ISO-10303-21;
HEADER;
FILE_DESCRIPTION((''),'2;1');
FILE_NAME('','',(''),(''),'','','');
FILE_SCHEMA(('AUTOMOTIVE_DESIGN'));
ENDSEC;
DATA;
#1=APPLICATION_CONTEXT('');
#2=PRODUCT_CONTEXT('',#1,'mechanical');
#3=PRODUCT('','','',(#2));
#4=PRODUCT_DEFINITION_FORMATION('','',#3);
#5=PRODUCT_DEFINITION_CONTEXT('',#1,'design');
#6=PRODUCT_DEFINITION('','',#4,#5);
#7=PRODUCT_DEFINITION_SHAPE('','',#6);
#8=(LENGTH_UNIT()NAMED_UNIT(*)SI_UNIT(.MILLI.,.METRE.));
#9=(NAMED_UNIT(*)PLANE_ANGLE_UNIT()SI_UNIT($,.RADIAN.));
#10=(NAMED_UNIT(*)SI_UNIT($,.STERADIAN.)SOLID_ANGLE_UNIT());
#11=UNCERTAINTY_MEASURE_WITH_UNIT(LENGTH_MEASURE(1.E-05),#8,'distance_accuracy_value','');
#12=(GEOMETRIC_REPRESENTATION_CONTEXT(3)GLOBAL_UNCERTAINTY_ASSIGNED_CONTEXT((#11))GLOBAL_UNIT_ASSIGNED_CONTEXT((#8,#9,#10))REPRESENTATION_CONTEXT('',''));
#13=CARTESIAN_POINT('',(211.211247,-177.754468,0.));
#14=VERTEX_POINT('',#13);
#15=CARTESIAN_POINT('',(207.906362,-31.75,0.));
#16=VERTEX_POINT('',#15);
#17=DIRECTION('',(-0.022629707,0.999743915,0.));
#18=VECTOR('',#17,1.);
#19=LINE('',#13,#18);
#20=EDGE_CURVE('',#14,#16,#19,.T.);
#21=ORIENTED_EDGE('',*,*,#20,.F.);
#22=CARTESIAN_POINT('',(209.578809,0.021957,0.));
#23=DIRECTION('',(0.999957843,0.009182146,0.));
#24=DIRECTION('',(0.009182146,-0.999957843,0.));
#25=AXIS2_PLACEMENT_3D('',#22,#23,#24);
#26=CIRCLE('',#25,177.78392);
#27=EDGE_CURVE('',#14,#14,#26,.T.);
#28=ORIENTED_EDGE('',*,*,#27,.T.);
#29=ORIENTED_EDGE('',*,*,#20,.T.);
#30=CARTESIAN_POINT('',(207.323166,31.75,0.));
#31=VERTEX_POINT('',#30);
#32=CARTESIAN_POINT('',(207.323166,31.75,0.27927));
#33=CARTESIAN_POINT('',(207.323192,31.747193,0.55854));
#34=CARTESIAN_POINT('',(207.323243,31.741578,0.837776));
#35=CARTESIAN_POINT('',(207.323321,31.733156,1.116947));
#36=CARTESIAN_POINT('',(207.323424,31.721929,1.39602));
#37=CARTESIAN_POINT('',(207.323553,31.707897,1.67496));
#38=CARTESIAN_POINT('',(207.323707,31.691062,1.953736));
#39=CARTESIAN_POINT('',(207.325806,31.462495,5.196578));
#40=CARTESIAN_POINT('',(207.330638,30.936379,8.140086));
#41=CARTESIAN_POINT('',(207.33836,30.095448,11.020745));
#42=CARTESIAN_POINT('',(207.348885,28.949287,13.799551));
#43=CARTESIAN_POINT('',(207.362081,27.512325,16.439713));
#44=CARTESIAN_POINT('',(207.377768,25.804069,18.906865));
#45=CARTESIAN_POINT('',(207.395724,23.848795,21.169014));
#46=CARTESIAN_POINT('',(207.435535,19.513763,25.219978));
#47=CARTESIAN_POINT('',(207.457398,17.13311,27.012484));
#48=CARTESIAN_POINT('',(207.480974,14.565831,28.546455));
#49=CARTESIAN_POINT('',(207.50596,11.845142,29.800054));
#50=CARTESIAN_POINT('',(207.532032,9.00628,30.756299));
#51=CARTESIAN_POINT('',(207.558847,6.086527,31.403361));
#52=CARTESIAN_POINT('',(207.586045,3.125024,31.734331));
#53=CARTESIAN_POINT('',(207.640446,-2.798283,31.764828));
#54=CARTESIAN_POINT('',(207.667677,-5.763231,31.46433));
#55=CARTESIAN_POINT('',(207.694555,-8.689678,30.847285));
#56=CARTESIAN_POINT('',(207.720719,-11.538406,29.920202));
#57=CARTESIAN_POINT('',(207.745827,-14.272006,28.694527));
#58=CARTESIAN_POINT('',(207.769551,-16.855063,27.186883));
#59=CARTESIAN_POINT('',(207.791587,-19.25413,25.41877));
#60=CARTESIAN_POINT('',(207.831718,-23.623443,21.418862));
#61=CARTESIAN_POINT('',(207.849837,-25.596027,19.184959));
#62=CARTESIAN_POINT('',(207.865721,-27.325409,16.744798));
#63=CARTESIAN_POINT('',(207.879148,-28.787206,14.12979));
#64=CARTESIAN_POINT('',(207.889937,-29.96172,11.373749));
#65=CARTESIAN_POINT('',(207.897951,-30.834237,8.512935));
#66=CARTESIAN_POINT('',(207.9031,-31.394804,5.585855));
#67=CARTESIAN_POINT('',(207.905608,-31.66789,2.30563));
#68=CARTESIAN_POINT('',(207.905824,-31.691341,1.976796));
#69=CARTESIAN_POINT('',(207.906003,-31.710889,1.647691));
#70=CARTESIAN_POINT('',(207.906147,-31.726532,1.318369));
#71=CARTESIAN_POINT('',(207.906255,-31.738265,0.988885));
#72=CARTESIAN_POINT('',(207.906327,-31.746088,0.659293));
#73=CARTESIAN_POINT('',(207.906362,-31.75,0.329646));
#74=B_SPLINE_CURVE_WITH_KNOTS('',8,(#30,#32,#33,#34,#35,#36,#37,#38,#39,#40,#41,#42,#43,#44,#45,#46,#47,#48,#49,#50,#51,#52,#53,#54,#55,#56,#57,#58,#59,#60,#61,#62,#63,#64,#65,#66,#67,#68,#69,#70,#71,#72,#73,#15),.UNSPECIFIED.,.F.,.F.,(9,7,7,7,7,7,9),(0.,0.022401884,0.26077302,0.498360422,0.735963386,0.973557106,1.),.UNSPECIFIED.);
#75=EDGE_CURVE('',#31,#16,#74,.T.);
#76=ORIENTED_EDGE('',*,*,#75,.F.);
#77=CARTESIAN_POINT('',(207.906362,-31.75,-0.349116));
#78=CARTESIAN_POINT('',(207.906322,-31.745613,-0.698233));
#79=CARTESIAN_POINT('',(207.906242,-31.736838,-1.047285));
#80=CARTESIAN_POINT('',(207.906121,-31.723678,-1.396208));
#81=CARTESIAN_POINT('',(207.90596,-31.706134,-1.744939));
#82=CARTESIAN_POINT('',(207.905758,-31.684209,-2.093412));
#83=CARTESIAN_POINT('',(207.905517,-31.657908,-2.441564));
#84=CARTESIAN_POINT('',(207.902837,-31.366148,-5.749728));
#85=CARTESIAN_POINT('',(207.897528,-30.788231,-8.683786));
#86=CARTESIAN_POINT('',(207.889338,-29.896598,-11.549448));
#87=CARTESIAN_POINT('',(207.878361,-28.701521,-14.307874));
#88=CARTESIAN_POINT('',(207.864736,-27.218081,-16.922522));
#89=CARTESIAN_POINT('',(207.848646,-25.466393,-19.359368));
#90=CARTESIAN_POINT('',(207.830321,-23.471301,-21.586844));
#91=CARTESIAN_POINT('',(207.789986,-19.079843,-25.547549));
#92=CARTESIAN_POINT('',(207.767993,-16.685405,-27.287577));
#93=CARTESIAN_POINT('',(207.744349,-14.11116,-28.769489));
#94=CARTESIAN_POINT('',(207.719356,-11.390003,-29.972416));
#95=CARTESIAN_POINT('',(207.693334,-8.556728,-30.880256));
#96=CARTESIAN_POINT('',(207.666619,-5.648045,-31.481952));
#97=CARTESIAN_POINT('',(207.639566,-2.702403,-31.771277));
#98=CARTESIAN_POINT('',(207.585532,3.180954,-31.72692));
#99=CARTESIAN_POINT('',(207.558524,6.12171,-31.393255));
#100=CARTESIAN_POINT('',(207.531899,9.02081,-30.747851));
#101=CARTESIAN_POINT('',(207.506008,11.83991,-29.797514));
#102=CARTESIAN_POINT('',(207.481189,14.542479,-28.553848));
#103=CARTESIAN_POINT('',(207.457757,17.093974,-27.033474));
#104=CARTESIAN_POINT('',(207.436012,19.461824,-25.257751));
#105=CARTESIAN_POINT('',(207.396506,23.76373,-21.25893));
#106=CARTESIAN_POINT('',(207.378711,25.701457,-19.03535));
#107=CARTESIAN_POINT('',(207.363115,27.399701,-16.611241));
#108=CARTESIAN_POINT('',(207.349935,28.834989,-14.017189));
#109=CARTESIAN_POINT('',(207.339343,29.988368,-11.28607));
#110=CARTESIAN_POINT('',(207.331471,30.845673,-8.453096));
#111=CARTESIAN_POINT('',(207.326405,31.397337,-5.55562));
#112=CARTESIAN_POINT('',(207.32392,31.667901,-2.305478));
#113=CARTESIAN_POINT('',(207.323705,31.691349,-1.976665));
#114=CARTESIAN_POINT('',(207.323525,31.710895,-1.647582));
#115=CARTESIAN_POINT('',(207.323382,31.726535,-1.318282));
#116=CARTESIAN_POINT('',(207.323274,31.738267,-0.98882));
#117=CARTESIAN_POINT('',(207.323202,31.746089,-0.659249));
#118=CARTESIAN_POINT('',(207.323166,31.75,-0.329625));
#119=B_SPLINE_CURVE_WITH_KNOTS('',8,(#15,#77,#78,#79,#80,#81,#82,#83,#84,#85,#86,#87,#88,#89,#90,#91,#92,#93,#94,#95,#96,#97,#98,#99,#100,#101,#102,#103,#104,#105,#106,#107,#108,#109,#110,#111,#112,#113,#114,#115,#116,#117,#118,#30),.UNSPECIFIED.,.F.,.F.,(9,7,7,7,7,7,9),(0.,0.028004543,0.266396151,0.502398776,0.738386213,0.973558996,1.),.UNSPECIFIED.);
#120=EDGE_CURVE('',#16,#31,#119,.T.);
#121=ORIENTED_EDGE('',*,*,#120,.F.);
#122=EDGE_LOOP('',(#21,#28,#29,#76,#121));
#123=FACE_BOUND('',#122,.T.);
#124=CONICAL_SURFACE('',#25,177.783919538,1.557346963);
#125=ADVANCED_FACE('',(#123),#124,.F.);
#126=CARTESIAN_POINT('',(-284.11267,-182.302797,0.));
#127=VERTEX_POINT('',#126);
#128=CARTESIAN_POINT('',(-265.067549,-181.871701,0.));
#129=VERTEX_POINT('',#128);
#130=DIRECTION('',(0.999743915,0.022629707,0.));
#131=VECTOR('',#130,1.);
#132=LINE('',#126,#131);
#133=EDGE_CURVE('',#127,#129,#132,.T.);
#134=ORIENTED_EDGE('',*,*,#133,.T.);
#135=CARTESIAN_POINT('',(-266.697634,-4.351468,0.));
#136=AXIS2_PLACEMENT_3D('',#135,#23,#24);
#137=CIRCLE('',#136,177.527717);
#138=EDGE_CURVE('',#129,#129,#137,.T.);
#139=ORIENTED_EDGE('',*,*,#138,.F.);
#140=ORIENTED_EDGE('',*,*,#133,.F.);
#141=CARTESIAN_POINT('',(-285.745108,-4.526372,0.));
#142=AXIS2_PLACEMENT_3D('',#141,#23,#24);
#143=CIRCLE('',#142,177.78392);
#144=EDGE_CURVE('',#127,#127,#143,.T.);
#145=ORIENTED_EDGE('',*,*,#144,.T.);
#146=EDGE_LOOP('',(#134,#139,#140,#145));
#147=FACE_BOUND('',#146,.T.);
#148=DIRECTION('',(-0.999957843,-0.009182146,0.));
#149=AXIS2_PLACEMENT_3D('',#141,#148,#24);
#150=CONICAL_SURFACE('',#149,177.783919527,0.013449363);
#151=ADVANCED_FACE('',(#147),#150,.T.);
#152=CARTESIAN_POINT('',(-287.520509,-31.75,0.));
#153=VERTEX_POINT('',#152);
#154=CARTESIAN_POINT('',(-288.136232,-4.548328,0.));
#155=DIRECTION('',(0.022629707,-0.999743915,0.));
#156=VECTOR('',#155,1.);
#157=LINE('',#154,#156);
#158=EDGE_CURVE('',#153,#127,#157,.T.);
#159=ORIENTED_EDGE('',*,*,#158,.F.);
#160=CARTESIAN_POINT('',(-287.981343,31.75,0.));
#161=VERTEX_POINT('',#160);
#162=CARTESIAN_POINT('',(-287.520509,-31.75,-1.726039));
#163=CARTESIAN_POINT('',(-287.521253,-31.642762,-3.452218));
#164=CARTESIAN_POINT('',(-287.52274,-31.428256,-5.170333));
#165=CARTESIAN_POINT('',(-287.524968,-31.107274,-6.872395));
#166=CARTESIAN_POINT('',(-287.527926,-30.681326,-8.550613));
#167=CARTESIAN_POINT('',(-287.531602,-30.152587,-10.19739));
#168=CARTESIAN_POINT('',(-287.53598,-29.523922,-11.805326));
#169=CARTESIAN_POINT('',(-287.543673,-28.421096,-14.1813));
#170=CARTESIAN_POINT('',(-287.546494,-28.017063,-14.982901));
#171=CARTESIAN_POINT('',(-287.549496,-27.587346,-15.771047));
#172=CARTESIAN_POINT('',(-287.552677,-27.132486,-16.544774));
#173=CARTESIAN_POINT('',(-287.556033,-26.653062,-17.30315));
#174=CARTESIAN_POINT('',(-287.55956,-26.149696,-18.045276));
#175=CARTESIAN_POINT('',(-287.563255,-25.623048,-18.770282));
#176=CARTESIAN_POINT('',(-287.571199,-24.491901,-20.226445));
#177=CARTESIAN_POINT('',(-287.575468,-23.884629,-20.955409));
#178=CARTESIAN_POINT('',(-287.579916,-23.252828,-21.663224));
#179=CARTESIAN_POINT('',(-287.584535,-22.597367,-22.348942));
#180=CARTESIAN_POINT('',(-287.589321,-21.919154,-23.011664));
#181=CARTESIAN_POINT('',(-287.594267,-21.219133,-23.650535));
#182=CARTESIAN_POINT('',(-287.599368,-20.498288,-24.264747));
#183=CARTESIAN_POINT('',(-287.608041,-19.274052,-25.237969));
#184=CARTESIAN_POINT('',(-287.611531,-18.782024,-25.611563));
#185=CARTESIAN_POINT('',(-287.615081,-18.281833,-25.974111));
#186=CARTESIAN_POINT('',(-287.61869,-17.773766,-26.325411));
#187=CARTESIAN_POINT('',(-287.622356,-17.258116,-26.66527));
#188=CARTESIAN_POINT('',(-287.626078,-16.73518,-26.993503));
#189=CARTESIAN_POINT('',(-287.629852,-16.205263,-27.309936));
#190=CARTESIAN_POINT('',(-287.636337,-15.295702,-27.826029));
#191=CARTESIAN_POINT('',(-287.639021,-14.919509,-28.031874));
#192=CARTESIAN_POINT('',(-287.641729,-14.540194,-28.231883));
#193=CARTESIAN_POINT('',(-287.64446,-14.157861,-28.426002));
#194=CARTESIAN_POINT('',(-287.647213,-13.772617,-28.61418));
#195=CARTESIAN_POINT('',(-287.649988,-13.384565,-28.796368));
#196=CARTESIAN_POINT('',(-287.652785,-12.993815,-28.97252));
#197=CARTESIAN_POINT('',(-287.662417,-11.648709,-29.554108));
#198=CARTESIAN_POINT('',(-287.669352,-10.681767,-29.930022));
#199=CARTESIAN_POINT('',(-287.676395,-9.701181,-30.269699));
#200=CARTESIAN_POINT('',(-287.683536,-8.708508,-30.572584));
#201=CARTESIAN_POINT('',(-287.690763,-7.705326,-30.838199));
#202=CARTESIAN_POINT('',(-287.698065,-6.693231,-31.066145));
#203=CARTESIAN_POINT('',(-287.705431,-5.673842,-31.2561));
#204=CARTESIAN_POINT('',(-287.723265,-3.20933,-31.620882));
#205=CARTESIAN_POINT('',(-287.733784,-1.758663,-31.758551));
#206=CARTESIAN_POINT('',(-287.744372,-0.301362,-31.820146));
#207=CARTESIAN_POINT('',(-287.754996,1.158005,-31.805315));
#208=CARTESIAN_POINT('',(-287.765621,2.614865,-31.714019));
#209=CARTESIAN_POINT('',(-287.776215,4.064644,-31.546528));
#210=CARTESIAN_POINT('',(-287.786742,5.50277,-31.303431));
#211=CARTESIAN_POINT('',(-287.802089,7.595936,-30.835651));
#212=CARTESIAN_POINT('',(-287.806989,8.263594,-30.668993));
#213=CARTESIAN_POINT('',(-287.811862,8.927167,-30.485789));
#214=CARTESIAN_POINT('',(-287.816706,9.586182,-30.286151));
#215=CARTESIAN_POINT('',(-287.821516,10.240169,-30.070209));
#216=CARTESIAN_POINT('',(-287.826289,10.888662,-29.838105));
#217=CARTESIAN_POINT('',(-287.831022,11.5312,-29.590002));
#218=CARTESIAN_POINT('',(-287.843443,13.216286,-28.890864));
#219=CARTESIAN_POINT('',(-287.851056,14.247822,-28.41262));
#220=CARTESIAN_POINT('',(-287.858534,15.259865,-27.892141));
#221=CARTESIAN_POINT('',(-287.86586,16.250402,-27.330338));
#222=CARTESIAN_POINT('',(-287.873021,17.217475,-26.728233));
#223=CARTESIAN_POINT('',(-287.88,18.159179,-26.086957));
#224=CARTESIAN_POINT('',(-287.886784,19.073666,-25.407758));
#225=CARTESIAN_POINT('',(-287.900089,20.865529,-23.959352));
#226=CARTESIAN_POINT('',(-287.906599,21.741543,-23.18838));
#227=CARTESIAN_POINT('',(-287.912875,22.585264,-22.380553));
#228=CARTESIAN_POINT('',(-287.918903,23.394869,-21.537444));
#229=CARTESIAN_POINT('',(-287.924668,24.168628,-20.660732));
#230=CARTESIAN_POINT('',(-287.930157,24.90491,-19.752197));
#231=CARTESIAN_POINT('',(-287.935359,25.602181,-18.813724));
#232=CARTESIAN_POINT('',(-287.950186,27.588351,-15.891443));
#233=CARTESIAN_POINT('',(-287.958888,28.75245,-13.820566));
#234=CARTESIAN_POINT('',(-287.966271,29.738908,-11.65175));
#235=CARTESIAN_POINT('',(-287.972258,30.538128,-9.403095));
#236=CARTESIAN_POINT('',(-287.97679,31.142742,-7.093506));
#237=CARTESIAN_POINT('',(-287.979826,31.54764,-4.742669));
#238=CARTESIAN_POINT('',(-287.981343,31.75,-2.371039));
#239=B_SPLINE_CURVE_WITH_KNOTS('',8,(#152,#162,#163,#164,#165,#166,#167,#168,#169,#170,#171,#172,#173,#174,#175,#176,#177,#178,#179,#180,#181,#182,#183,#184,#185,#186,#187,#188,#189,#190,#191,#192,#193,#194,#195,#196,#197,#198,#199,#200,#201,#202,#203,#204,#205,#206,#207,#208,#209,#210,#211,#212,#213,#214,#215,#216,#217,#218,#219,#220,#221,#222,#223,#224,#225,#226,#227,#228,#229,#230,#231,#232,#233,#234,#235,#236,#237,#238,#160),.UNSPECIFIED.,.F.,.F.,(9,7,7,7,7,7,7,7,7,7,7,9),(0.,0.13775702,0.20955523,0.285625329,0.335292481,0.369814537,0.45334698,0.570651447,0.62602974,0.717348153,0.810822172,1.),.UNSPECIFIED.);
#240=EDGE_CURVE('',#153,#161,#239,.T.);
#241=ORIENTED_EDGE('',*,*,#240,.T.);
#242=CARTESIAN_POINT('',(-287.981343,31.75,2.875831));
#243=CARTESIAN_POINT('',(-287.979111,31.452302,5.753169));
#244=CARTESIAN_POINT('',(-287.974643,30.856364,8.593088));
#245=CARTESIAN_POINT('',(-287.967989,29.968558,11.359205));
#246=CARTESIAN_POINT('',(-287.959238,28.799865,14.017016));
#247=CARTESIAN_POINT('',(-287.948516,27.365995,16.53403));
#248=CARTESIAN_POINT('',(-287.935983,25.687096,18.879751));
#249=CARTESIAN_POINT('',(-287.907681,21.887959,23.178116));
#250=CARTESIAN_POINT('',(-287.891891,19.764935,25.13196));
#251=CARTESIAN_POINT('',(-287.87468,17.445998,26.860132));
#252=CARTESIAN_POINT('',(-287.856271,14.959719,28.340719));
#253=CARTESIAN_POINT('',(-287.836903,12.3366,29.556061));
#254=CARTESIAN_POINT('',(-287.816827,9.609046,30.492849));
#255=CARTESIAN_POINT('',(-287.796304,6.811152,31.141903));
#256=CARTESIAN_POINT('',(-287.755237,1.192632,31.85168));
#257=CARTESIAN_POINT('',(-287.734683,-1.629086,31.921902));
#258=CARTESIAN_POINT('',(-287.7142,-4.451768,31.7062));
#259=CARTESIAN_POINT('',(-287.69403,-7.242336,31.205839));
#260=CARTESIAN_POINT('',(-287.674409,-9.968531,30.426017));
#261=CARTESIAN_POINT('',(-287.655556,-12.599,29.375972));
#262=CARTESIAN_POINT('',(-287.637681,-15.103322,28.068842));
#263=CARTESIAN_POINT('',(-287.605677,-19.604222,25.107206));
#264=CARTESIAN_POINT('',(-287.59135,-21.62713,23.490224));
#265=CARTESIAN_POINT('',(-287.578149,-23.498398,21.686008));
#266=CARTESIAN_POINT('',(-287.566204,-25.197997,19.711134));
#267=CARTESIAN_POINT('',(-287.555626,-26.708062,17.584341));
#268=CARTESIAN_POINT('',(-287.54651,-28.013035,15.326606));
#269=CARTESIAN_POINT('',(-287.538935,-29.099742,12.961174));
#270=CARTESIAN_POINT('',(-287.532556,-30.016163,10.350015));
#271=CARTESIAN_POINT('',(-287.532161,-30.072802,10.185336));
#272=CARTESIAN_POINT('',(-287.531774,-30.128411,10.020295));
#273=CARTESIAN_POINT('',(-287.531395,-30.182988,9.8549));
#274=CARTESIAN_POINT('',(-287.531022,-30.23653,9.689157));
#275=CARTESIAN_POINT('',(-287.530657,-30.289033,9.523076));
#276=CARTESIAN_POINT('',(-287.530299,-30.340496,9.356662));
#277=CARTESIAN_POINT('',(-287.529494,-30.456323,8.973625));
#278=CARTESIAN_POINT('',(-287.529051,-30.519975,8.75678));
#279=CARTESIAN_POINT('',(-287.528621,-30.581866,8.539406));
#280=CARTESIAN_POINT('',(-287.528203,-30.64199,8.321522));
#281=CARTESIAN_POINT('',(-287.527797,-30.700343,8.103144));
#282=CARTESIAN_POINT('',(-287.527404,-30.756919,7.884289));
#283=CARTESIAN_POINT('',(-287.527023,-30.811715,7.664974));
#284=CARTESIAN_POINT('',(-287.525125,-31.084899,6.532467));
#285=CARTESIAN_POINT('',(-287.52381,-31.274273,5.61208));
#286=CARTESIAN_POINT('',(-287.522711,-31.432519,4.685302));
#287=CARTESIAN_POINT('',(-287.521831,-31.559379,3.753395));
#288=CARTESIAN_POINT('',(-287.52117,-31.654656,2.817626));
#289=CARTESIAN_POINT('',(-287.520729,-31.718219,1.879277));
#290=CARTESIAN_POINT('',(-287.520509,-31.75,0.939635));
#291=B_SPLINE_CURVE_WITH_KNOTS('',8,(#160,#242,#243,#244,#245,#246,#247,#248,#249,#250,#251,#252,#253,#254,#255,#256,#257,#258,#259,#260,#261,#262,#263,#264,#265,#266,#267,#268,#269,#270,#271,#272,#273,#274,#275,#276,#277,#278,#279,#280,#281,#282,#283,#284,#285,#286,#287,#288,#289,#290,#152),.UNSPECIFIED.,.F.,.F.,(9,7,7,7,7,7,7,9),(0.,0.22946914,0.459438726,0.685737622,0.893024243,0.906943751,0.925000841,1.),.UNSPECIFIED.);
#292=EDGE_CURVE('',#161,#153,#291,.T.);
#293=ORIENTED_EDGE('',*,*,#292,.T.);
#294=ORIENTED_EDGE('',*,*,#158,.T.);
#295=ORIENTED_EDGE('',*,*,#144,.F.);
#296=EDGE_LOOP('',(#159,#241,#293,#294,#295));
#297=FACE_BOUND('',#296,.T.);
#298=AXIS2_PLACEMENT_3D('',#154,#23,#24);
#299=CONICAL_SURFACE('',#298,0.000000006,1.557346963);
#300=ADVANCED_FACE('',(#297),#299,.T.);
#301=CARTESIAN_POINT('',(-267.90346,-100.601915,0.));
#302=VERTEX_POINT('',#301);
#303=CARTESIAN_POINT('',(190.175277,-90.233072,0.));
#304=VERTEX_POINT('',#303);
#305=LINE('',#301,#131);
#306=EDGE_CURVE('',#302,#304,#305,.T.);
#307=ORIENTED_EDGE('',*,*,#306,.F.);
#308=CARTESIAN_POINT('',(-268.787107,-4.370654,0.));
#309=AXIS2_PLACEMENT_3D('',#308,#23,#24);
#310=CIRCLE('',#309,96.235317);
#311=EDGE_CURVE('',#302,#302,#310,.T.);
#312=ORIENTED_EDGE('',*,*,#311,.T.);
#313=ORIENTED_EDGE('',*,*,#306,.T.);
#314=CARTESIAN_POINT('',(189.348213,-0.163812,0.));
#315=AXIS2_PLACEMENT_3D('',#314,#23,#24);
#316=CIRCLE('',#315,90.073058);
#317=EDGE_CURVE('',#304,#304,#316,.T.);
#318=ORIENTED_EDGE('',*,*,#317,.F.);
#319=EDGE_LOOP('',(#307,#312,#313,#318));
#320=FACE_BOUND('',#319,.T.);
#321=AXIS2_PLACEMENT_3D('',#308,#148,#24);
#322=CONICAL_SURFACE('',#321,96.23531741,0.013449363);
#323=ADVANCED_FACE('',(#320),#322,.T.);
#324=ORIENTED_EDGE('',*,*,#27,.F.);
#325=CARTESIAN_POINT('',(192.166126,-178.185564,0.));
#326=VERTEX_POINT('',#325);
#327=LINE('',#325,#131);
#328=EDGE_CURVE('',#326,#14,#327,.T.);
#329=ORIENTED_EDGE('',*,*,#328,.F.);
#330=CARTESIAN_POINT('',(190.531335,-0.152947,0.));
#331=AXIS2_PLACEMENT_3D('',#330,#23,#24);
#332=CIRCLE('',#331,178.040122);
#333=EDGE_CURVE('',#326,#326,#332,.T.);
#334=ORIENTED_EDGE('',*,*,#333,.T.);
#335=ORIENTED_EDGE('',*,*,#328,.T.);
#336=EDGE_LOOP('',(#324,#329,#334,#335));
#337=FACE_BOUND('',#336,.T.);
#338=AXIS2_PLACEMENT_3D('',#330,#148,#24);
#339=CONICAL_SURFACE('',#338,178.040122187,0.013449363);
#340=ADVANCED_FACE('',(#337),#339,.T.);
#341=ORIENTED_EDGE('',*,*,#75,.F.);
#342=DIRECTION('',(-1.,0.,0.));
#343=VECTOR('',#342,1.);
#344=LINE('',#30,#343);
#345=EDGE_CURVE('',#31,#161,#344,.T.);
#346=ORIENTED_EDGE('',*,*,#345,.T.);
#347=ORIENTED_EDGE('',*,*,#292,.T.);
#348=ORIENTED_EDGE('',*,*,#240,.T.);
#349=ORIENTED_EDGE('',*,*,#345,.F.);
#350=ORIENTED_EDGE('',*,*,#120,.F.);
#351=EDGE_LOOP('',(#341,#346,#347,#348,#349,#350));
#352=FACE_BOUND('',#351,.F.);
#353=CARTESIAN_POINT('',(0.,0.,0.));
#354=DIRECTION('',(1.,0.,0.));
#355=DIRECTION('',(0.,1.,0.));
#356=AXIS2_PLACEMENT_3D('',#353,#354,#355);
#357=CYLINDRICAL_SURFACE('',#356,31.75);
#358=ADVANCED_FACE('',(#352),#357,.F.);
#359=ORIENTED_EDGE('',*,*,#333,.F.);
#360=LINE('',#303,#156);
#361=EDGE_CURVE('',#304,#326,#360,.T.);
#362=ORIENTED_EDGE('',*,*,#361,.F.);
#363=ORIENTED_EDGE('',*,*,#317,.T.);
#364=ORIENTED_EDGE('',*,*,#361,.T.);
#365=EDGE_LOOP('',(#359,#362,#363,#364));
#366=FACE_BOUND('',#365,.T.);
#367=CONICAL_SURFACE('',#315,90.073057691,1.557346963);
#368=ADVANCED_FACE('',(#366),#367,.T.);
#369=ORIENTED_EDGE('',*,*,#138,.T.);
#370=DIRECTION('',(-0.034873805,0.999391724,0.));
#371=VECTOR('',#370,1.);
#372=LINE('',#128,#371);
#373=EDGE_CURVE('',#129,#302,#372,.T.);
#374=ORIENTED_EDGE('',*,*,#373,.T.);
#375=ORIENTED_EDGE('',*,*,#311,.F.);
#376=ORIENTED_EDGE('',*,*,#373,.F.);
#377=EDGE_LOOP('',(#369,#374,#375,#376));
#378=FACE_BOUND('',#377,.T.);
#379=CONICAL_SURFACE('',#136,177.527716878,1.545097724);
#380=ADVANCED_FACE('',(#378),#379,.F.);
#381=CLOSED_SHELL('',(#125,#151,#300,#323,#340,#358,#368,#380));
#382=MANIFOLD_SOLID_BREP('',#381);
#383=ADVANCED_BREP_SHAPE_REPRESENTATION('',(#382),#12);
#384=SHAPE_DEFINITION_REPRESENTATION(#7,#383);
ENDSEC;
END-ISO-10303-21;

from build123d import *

# Parameters (mm, degrees)
F2_R          = 31.75
F3_DEPTH      = 211.2122471454
F3_DEPTH_BACK = 288.1372322342


with BuildPart() as f1:
    # F0 (on Top) → F1 (revolve)
    with BuildSketch(Plane.XY):
        Polygon((207.1876852567, 0), (-288.1362322342, -4.5483284574), (-284.1126703454, -182.3027966142), (-265.0675487572, -181.8717006976), (-267.9034604739, -100.6019149123), (190.1752766148, -90.2330720489), (192.1661255572, -178.1855640735), (211.2112471454, -177.7544681569), align=None)
    revolve(axis=Axis((-40.4742734887, -2.2741642287, 0), (0.9999578432, 0.0091821464, 0)))

    # F2 (on Right) → F3 (cut, two sides)
    with BuildSketch(Plane.YZ) as f3_sk:
        Circle(F2_R)
    extrude(amount=F3_DEPTH, mode=Mode.SUBTRACT)
    extrude(f3_sk.sketch, amount=-F3_DEPTH_BACK, mode=Mode.SUBTRACT)


solid = f1.part
